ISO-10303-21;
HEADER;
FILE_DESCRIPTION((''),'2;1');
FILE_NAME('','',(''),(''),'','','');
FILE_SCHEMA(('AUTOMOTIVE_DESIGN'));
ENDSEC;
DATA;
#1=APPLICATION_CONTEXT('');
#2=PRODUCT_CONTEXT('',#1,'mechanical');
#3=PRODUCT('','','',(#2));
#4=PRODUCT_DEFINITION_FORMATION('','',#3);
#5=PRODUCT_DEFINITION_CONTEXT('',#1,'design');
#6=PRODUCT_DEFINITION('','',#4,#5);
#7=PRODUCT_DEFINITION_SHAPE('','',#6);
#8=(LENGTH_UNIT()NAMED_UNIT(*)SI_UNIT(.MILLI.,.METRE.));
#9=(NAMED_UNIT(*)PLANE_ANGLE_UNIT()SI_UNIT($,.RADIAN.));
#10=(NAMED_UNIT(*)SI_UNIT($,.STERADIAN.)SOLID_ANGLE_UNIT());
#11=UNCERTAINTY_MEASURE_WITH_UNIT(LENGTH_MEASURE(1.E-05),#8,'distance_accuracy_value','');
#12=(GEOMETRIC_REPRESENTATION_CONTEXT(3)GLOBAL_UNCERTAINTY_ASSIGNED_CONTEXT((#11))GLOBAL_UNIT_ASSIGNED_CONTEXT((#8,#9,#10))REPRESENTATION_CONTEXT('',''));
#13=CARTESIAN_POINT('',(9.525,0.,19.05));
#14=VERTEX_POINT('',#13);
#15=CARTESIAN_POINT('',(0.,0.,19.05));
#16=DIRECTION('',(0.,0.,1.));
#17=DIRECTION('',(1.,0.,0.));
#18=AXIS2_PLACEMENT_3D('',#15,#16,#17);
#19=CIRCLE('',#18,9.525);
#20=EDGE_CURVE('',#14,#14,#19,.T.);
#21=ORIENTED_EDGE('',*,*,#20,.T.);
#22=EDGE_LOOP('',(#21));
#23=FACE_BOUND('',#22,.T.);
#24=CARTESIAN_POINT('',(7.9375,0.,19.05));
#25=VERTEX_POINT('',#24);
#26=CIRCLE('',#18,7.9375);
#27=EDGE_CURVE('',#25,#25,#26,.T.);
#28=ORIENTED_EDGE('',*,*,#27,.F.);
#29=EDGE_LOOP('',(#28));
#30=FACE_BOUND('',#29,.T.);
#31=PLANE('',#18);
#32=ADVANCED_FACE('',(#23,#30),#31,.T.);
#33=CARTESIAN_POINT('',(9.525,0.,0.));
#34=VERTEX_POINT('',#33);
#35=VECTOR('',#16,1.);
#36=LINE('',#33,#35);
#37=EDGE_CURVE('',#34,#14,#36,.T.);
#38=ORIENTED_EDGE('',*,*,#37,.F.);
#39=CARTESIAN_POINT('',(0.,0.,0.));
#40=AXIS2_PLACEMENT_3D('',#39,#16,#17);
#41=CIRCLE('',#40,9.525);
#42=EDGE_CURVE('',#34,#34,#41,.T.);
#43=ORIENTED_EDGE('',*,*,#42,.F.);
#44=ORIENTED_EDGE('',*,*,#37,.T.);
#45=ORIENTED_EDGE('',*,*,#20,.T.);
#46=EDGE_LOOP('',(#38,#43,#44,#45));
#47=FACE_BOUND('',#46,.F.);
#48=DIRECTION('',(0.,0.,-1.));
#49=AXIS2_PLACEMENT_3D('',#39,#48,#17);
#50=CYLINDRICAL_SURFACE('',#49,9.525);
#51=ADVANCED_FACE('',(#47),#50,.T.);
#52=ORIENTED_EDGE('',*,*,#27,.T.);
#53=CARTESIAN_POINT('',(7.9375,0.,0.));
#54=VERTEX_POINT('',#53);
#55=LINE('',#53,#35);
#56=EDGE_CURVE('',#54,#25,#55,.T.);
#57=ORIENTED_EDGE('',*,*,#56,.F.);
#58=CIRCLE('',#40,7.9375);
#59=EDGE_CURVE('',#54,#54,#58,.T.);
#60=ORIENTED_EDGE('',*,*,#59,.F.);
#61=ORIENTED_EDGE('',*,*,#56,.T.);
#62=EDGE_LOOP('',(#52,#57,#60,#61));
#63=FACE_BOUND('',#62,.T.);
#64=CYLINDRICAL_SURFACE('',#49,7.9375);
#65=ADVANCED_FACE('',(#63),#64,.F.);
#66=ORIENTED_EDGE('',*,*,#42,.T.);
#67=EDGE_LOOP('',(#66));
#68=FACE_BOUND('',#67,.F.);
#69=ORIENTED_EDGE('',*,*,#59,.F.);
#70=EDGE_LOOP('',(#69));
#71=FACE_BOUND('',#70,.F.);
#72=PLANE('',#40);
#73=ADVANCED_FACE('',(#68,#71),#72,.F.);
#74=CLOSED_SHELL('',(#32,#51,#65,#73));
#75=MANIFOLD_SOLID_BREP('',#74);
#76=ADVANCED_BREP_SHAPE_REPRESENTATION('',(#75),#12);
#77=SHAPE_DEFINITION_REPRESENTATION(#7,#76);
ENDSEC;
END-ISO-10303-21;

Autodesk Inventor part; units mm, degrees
ref_plane "YZ Plane" through (0, 0, 0) normal (1, 0, 0) x (0, 1, 0)
ref_plane "XZ Plane" through (0, 0, 0) normal (0, 1, 0) x (-1, 0, 0)
ref_plane "XY Plane" through (0, 0, 0) normal (0, 0, 1) x (1, 0, 0)
sketch "Sketch1" plane through (0, 0, 0) normal (0, 0, 1) x (1, 0, 0)
  circle A0 centre (0, 0) radius 9.525
  circle A1 centre (0, 0) radius 7.9375
  dimension "d0" = 19.05
  dimension "d1" = 15.875
extrude "Extrusion1" add sketch "Sketch1" along normal blind 19.05
properties part number "Shaft Spacer Part3" material "PVC-Piping"
